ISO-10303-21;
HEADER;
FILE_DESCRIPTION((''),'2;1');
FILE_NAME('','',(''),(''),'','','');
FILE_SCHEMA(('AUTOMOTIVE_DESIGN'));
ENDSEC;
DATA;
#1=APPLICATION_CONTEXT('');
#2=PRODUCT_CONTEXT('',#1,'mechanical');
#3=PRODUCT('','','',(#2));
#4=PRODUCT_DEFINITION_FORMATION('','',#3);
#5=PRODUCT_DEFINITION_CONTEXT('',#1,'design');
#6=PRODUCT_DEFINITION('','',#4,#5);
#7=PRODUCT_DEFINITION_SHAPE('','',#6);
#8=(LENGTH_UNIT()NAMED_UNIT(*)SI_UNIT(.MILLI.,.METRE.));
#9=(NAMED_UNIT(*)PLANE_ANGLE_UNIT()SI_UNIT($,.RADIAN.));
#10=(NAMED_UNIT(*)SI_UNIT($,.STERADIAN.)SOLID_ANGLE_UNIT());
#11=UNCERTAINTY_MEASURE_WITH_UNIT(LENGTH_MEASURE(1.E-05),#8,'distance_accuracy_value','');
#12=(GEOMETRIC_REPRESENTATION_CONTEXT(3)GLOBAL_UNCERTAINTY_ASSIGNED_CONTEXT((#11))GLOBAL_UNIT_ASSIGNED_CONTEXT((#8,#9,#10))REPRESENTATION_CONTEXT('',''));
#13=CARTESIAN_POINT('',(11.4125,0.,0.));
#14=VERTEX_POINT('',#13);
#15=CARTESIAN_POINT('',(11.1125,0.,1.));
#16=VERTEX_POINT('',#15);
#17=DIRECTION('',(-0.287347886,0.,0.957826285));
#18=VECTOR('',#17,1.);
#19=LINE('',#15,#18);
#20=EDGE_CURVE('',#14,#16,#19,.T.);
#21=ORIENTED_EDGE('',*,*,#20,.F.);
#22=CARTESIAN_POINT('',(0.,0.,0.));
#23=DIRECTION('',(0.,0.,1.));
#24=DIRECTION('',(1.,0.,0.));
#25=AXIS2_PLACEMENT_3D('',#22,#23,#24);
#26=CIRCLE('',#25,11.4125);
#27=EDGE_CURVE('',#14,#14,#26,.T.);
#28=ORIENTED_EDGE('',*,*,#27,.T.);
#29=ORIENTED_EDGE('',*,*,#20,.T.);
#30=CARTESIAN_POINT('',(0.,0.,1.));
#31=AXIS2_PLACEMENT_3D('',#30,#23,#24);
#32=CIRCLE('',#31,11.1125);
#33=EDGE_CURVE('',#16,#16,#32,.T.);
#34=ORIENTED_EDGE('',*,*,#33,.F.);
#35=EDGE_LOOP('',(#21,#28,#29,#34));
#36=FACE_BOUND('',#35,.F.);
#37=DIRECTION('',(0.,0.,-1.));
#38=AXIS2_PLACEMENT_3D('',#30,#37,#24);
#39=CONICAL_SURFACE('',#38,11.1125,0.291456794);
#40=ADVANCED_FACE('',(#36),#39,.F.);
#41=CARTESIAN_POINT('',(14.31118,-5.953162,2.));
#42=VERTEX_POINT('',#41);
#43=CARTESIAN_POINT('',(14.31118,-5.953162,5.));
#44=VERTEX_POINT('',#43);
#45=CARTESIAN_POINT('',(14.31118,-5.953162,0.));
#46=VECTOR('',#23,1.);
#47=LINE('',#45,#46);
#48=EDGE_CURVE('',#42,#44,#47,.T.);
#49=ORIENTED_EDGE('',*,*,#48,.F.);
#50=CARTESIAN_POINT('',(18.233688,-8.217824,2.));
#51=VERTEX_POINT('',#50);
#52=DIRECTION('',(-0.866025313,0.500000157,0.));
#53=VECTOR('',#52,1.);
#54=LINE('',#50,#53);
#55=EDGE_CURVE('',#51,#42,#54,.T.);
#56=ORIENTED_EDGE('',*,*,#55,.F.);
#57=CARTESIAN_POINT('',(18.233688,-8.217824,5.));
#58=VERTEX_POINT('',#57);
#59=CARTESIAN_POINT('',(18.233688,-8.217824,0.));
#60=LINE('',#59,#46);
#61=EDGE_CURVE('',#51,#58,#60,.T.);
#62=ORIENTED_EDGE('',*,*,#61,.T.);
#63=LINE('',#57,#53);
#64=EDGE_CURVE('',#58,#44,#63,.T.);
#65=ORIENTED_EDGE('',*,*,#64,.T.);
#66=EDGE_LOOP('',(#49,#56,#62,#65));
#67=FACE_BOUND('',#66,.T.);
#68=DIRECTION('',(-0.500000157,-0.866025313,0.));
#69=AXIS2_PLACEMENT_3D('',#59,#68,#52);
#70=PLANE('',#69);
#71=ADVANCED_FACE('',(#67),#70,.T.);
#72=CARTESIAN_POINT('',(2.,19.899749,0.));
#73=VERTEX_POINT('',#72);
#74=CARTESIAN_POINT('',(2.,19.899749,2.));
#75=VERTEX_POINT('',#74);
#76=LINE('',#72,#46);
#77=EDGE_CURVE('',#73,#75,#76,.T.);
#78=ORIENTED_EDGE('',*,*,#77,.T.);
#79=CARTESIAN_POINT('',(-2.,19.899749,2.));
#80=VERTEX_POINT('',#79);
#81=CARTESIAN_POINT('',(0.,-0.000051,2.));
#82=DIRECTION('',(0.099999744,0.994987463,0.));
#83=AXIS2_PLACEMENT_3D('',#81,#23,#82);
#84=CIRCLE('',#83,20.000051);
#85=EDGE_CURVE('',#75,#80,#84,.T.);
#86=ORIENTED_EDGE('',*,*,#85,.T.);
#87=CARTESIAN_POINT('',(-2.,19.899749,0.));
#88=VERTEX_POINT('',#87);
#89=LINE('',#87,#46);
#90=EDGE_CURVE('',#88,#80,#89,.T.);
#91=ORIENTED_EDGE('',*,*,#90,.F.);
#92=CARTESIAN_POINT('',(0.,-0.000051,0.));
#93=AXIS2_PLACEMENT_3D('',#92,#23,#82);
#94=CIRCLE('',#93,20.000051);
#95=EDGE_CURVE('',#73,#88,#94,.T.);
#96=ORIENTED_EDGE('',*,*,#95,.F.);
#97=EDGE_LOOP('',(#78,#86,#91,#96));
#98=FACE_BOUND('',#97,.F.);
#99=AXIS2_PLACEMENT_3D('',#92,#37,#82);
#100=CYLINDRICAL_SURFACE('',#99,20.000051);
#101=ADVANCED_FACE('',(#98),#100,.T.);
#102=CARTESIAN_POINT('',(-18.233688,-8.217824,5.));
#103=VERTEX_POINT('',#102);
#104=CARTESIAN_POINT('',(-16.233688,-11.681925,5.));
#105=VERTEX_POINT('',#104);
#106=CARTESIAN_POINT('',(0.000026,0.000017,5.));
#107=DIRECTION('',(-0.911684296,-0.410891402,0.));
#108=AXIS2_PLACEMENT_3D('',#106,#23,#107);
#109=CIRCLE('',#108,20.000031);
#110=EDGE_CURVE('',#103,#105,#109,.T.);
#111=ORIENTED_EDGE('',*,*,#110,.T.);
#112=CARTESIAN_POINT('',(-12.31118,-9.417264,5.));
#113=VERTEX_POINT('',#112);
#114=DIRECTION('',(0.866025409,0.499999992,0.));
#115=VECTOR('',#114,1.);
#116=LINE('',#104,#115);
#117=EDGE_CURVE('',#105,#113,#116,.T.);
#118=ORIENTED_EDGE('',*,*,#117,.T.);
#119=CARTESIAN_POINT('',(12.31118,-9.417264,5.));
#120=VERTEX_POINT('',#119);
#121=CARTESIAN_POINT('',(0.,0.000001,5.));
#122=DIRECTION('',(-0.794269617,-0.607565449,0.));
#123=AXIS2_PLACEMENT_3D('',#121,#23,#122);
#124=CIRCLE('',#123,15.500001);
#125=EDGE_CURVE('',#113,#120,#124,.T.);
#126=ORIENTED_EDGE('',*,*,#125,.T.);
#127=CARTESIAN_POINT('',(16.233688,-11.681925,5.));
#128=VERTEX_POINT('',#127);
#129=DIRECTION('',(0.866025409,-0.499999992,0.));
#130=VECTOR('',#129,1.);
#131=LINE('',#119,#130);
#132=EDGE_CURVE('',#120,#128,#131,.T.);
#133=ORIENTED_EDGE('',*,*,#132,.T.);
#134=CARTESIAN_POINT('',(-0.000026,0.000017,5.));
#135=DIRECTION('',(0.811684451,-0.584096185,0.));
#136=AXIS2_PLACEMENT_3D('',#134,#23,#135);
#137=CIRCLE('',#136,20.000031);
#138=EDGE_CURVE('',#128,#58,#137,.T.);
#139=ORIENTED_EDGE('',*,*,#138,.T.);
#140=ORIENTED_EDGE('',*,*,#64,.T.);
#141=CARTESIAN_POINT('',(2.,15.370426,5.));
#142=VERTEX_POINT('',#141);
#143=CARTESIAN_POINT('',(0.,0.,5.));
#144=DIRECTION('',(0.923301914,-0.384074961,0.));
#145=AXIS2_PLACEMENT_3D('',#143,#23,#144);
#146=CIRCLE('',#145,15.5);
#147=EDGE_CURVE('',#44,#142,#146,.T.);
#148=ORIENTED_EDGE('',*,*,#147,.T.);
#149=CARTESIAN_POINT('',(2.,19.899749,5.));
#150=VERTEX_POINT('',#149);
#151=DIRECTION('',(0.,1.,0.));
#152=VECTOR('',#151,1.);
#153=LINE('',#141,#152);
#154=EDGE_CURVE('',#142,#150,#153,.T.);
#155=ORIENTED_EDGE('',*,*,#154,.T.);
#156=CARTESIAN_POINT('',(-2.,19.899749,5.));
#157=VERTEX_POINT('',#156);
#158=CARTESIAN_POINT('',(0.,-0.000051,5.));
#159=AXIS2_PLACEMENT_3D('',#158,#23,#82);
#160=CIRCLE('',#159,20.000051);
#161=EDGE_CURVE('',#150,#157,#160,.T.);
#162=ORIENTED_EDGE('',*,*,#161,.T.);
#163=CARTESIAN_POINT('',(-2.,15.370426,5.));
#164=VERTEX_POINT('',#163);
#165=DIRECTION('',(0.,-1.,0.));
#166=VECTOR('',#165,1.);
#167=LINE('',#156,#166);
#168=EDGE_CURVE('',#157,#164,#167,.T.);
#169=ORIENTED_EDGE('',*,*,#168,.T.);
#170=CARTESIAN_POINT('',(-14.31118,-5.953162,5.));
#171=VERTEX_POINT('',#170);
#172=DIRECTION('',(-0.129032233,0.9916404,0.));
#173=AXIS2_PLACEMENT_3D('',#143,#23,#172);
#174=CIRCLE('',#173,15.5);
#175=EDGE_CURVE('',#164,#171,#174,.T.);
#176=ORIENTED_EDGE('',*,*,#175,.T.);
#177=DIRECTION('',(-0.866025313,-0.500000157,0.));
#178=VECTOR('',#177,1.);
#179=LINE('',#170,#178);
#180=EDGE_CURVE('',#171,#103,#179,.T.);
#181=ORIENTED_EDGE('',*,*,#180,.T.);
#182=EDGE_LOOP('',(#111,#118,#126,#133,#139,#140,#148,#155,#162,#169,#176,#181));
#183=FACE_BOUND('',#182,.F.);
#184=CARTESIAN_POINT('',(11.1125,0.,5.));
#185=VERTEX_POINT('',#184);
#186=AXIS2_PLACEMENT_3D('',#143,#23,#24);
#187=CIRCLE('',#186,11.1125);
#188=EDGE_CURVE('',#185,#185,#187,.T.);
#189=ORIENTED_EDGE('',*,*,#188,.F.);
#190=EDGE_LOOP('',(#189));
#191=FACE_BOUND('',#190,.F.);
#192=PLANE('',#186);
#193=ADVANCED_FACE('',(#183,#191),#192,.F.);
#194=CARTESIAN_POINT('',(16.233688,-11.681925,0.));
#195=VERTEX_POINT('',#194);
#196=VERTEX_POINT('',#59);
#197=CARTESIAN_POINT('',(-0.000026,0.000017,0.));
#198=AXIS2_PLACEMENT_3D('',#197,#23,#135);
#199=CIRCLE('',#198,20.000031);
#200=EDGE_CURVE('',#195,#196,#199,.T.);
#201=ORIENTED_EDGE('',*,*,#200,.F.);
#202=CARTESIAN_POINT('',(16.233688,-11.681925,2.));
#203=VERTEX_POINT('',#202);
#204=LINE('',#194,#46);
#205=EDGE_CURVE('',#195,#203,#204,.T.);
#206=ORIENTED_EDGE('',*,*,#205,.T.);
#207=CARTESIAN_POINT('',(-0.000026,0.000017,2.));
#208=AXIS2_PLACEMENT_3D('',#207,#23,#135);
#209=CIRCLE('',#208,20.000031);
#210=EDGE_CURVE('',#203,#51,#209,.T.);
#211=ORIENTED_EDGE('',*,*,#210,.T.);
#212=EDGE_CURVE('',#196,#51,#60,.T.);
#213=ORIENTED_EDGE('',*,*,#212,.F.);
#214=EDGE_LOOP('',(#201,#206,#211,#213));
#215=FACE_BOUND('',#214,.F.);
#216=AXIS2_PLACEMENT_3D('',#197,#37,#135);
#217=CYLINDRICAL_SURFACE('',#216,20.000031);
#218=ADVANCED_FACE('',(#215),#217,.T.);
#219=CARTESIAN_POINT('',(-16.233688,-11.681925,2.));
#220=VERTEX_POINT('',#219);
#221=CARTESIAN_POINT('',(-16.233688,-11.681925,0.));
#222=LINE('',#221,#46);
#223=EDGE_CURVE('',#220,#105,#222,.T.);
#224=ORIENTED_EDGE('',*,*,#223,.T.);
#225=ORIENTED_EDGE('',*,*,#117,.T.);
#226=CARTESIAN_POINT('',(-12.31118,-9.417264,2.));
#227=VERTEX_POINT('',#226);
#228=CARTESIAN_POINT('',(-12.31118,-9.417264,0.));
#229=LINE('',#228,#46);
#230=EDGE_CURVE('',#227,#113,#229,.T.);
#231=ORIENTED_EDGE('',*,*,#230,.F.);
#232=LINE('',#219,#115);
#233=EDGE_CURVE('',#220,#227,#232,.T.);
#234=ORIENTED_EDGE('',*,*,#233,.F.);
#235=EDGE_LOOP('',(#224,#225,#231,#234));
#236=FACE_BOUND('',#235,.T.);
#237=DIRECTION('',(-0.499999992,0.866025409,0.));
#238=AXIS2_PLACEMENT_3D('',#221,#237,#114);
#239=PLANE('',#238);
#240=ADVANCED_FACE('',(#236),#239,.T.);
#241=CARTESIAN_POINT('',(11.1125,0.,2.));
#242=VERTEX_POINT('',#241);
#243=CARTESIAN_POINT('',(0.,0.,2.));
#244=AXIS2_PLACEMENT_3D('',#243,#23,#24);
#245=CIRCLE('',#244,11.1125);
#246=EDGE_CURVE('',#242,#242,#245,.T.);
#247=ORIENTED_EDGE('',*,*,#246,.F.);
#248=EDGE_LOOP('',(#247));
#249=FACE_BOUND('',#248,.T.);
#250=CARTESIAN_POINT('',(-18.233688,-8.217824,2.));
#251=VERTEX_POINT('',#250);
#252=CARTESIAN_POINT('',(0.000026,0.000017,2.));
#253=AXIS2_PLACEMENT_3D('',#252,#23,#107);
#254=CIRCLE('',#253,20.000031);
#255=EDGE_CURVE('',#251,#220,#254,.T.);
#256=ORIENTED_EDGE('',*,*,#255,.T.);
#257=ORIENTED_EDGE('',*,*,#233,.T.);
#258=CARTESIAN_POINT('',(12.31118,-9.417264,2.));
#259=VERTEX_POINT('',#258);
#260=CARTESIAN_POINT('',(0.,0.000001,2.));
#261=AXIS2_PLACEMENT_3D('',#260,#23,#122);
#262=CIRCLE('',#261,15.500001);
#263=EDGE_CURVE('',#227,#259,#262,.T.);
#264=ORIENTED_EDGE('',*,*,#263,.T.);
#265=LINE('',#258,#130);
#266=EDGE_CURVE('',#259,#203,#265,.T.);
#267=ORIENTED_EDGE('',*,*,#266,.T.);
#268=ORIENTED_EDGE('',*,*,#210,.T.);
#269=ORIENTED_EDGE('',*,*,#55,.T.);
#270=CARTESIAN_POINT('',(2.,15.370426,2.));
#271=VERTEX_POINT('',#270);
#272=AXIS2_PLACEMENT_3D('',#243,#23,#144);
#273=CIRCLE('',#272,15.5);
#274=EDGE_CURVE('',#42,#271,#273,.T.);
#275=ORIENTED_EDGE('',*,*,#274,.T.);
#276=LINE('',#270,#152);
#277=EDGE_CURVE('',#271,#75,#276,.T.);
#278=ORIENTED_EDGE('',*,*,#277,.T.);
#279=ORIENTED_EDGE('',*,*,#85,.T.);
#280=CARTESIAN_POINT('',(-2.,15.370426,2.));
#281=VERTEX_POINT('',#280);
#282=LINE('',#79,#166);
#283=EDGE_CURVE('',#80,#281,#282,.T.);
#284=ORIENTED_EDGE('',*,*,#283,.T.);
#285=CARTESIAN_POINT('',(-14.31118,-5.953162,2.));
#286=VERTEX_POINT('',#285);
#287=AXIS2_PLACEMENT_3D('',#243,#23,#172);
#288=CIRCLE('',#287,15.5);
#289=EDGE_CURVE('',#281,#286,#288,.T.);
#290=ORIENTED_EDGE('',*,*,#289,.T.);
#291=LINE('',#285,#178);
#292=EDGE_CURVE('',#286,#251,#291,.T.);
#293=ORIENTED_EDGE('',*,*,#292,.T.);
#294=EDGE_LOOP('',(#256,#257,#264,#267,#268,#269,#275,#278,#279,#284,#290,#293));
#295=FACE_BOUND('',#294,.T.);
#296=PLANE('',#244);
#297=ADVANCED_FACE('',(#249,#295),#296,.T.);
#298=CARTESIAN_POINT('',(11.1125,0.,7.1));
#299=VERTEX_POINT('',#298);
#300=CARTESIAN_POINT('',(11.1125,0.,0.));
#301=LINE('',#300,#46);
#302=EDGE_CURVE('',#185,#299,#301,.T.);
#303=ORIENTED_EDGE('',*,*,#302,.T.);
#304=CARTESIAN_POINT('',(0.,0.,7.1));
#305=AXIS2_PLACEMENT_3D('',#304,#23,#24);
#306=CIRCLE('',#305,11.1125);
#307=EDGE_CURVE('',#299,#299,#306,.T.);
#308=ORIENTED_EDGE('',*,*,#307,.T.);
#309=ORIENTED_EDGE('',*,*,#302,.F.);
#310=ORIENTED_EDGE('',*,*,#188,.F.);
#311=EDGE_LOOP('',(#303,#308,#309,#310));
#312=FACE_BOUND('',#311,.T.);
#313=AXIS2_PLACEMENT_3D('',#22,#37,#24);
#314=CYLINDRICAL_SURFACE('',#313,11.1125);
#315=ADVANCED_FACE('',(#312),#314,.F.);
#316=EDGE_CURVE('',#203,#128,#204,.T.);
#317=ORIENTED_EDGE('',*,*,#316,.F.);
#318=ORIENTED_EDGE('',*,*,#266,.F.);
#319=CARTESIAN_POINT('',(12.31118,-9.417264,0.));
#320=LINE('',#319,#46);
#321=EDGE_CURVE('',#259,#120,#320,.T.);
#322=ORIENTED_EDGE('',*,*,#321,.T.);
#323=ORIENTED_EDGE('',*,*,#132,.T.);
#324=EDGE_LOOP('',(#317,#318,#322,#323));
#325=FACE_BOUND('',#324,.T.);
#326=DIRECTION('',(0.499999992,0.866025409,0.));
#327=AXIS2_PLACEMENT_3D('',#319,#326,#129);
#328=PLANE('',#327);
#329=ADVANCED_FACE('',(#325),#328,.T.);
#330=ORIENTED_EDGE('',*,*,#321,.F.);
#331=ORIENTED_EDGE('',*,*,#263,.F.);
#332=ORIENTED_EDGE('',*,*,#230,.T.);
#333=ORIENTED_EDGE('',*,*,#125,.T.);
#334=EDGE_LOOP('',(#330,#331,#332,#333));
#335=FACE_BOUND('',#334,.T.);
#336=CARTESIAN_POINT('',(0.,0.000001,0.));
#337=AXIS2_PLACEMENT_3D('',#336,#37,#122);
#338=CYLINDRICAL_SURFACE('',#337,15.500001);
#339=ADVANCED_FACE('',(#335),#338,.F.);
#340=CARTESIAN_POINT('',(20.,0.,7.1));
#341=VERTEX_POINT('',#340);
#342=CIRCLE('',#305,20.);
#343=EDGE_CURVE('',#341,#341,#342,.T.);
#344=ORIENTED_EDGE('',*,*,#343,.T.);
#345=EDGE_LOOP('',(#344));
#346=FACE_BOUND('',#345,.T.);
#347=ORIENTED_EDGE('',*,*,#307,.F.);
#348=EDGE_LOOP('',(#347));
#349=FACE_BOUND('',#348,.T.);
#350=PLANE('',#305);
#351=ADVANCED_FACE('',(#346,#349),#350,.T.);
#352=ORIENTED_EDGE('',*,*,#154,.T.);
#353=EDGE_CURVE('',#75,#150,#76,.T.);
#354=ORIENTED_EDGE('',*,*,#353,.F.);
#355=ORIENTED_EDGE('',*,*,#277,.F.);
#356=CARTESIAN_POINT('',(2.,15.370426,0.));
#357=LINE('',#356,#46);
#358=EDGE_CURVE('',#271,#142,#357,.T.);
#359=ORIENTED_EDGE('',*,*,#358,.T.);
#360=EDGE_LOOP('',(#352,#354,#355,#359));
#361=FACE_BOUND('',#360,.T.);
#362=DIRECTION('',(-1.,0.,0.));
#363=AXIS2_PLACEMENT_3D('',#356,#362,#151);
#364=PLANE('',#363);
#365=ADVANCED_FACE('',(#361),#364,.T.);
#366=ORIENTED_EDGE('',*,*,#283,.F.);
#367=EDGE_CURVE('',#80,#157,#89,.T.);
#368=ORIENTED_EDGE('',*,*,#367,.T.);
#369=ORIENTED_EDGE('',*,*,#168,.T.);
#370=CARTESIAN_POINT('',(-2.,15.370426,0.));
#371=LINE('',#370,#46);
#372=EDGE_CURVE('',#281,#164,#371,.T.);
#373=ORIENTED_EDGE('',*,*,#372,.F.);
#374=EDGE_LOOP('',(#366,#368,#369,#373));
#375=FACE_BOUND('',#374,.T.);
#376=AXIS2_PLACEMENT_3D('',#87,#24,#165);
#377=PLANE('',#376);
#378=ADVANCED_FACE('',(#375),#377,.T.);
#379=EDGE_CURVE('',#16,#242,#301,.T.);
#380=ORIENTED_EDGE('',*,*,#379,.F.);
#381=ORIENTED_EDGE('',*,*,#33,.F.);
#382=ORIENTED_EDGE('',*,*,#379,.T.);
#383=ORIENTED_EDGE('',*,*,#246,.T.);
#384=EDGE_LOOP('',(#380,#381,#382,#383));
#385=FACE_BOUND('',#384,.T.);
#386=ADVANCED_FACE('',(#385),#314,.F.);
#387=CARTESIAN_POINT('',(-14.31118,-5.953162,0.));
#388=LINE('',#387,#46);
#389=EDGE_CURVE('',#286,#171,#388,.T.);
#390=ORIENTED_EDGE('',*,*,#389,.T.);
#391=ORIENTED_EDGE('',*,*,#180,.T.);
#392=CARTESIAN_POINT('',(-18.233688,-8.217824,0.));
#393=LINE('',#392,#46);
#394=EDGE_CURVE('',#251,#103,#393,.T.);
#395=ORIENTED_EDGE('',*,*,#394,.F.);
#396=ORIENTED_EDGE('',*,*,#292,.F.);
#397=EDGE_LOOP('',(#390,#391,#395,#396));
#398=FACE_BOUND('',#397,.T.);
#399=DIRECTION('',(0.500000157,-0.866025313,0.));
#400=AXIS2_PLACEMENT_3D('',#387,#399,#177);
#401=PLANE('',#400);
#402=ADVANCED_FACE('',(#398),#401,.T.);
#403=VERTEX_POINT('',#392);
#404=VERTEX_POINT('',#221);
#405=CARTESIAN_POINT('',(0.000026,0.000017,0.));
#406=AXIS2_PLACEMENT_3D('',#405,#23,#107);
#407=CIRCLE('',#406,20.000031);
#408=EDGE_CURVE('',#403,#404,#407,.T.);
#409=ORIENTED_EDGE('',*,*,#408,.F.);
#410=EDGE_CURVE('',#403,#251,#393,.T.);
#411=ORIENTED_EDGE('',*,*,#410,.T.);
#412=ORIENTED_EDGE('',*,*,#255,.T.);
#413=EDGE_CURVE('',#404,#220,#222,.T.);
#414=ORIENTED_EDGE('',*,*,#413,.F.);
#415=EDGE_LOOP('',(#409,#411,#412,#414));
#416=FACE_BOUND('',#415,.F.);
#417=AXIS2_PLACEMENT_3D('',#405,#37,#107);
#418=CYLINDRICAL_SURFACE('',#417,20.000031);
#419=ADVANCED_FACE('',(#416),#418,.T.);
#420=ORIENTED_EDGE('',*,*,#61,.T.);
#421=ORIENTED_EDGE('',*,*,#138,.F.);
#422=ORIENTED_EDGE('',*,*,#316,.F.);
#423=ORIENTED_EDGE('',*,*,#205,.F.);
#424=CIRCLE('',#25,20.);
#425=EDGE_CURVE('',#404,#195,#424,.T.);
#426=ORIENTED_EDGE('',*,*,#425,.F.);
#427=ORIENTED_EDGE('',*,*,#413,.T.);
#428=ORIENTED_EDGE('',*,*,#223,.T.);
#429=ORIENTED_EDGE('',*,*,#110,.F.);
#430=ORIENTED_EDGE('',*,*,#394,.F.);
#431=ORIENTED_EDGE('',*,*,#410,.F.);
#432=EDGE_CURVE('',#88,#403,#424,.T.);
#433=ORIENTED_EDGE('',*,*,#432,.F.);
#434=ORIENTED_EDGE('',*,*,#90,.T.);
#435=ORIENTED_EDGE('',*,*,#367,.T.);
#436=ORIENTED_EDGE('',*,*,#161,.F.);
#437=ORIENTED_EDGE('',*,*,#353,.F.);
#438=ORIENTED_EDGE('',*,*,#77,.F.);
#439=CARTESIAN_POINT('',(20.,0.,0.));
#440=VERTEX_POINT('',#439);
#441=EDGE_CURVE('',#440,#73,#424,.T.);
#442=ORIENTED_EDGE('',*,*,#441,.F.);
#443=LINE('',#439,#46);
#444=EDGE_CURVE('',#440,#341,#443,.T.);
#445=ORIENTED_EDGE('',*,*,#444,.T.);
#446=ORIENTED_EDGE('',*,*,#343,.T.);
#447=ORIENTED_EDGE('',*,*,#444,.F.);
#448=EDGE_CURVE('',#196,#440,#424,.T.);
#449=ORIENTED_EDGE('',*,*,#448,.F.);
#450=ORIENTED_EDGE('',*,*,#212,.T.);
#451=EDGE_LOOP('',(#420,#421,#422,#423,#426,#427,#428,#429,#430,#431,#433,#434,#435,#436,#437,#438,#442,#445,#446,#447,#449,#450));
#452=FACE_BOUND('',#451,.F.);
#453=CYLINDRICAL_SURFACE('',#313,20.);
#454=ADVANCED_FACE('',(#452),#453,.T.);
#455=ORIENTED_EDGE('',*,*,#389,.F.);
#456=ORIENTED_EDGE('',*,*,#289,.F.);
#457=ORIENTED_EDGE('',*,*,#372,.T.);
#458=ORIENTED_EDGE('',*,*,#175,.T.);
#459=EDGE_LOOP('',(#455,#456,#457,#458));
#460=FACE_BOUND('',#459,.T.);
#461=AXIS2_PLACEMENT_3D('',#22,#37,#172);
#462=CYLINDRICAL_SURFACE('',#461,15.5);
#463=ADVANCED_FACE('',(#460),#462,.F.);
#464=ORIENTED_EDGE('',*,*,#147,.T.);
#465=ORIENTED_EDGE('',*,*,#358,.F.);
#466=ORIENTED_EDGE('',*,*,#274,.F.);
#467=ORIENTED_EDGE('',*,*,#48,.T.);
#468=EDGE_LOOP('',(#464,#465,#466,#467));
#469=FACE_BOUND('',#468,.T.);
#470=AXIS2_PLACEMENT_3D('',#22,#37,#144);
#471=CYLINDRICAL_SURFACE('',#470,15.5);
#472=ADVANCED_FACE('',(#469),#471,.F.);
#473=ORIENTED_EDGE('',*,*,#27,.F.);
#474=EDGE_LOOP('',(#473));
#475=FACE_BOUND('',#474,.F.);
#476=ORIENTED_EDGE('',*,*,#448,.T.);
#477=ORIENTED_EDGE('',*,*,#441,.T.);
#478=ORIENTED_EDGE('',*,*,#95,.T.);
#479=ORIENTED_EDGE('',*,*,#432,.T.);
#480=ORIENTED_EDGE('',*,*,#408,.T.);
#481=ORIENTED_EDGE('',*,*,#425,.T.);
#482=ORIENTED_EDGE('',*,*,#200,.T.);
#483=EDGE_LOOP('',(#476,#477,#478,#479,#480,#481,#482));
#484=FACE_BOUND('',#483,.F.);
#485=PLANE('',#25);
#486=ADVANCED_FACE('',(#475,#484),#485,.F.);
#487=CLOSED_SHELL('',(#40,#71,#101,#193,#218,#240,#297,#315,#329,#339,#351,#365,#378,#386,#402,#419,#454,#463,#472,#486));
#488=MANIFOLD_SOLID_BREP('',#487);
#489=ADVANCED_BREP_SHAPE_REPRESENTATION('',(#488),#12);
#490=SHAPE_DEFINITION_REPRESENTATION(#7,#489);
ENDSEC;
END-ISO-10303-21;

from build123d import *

# Parameters (mm, degrees)
F0_R     = 20
F0_R_2   = 11.1125
F1_DEPTH = 7.1
F2_R     = 11.1125
F3_DEPTH = 5
F4_R     = 11.1125
F5_DEPTH = 2
F6_SIZE2 = 1
F6_SIZE  = 0.3


with BuildPart() as f1:
    # F0 (on Top) → F1 (new body)
    with BuildSketch(Plane.XY):
        Circle(F0_R)
        Circle(F0_R_2, mode=Mode.SUBTRACT)
    extrude(amount=F1_DEPTH)

    # F2 (on Top) → F3 (cut)
    with BuildSketch(Plane.XY):
        with BuildLine():
            Line((-2, 19.899749), (-2, 15.370426))
            ThreePointArc((-2, 15.370426), (-13.423394, 7.75), (-14.31118, -5.953162))
            Line((-14.31118, -5.953162), (-18.233688, -8.217824))
            ThreePointArc((-18.233688, -8.217824), (-17.320508, -10), (-16.233688, -11.681925))
            Line((-16.233688, -11.681925), (-12.31118, -9.417264))
            ThreePointArc((-12.31118, -9.417264), (0, -15.5), (12.31118, -9.417264))
            Line((12.31118, -9.417264), (16.233688, -11.681925))
            ThreePointArc((16.233688, -11.681925), (17.320508, -10), (18.233688, -8.217824))
            Line((18.233688, -8.217824), (14.31118, -5.953162))
            ThreePointArc((14.31118, -5.953162), (13.423394, 7.75), (2, 15.370426))
            Line((2, 15.370426), (2, 19.899749))
            ThreePointArc((2, 19.899749), (0, 20), (-2, 19.899749))
        make_face()
        Circle(F2_R, mode=Mode.SUBTRACT)
    extrude(amount=F3_DEPTH, mode=Mode.SUBTRACT)

    # F4 (on Top) → F5 (join)
    with BuildSketch(Plane.XY):
        with BuildLine():
            Line((-2, 19.899749), (-2, 15.370426))
            ThreePointArc((-2, 15.370426), (-13.423394, 7.75), (-14.31118, -5.953162))
            Line((-14.31118, -5.953162), (-18.233688, -8.217824))
            ThreePointArc((-18.233688, -8.217824), (-17.320508, -10), (-16.233688, -11.681925))
            Line((-16.233688, -11.681925), (-12.31118, -9.417264))
            ThreePointArc((-12.31118, -9.417264), (0, -15.5), (12.31118, -9.417264))
            Line((12.31118, -9.417264), (16.233688, -11.681925))
            ThreePointArc((16.233688, -11.681925), (17.320508, -10), (18.233688, -8.217824))
            Line((18.233688, -8.217824), (14.31118, -5.953162))
            ThreePointArc((14.31118, -5.953162), (13.423394, 7.75), (2, 15.370426))
            Line((2, 15.370426), (2, 19.899749))
            ThreePointArc((2, 19.899749), (0, 20), (-2, 19.899749))
        make_face()
        Circle(F4_R, mode=Mode.SUBTRACT)
    extrude(amount=F5_DEPTH)

    # F6
    f6_edges = [f1.edges().sort_by_distance(p)[0] for p in [
        (-11.1125, 0, 0),
    ]]
    chamfer(f6_edges, length=F6_SIZE, length2=F6_SIZE2)


solid = f1.part
